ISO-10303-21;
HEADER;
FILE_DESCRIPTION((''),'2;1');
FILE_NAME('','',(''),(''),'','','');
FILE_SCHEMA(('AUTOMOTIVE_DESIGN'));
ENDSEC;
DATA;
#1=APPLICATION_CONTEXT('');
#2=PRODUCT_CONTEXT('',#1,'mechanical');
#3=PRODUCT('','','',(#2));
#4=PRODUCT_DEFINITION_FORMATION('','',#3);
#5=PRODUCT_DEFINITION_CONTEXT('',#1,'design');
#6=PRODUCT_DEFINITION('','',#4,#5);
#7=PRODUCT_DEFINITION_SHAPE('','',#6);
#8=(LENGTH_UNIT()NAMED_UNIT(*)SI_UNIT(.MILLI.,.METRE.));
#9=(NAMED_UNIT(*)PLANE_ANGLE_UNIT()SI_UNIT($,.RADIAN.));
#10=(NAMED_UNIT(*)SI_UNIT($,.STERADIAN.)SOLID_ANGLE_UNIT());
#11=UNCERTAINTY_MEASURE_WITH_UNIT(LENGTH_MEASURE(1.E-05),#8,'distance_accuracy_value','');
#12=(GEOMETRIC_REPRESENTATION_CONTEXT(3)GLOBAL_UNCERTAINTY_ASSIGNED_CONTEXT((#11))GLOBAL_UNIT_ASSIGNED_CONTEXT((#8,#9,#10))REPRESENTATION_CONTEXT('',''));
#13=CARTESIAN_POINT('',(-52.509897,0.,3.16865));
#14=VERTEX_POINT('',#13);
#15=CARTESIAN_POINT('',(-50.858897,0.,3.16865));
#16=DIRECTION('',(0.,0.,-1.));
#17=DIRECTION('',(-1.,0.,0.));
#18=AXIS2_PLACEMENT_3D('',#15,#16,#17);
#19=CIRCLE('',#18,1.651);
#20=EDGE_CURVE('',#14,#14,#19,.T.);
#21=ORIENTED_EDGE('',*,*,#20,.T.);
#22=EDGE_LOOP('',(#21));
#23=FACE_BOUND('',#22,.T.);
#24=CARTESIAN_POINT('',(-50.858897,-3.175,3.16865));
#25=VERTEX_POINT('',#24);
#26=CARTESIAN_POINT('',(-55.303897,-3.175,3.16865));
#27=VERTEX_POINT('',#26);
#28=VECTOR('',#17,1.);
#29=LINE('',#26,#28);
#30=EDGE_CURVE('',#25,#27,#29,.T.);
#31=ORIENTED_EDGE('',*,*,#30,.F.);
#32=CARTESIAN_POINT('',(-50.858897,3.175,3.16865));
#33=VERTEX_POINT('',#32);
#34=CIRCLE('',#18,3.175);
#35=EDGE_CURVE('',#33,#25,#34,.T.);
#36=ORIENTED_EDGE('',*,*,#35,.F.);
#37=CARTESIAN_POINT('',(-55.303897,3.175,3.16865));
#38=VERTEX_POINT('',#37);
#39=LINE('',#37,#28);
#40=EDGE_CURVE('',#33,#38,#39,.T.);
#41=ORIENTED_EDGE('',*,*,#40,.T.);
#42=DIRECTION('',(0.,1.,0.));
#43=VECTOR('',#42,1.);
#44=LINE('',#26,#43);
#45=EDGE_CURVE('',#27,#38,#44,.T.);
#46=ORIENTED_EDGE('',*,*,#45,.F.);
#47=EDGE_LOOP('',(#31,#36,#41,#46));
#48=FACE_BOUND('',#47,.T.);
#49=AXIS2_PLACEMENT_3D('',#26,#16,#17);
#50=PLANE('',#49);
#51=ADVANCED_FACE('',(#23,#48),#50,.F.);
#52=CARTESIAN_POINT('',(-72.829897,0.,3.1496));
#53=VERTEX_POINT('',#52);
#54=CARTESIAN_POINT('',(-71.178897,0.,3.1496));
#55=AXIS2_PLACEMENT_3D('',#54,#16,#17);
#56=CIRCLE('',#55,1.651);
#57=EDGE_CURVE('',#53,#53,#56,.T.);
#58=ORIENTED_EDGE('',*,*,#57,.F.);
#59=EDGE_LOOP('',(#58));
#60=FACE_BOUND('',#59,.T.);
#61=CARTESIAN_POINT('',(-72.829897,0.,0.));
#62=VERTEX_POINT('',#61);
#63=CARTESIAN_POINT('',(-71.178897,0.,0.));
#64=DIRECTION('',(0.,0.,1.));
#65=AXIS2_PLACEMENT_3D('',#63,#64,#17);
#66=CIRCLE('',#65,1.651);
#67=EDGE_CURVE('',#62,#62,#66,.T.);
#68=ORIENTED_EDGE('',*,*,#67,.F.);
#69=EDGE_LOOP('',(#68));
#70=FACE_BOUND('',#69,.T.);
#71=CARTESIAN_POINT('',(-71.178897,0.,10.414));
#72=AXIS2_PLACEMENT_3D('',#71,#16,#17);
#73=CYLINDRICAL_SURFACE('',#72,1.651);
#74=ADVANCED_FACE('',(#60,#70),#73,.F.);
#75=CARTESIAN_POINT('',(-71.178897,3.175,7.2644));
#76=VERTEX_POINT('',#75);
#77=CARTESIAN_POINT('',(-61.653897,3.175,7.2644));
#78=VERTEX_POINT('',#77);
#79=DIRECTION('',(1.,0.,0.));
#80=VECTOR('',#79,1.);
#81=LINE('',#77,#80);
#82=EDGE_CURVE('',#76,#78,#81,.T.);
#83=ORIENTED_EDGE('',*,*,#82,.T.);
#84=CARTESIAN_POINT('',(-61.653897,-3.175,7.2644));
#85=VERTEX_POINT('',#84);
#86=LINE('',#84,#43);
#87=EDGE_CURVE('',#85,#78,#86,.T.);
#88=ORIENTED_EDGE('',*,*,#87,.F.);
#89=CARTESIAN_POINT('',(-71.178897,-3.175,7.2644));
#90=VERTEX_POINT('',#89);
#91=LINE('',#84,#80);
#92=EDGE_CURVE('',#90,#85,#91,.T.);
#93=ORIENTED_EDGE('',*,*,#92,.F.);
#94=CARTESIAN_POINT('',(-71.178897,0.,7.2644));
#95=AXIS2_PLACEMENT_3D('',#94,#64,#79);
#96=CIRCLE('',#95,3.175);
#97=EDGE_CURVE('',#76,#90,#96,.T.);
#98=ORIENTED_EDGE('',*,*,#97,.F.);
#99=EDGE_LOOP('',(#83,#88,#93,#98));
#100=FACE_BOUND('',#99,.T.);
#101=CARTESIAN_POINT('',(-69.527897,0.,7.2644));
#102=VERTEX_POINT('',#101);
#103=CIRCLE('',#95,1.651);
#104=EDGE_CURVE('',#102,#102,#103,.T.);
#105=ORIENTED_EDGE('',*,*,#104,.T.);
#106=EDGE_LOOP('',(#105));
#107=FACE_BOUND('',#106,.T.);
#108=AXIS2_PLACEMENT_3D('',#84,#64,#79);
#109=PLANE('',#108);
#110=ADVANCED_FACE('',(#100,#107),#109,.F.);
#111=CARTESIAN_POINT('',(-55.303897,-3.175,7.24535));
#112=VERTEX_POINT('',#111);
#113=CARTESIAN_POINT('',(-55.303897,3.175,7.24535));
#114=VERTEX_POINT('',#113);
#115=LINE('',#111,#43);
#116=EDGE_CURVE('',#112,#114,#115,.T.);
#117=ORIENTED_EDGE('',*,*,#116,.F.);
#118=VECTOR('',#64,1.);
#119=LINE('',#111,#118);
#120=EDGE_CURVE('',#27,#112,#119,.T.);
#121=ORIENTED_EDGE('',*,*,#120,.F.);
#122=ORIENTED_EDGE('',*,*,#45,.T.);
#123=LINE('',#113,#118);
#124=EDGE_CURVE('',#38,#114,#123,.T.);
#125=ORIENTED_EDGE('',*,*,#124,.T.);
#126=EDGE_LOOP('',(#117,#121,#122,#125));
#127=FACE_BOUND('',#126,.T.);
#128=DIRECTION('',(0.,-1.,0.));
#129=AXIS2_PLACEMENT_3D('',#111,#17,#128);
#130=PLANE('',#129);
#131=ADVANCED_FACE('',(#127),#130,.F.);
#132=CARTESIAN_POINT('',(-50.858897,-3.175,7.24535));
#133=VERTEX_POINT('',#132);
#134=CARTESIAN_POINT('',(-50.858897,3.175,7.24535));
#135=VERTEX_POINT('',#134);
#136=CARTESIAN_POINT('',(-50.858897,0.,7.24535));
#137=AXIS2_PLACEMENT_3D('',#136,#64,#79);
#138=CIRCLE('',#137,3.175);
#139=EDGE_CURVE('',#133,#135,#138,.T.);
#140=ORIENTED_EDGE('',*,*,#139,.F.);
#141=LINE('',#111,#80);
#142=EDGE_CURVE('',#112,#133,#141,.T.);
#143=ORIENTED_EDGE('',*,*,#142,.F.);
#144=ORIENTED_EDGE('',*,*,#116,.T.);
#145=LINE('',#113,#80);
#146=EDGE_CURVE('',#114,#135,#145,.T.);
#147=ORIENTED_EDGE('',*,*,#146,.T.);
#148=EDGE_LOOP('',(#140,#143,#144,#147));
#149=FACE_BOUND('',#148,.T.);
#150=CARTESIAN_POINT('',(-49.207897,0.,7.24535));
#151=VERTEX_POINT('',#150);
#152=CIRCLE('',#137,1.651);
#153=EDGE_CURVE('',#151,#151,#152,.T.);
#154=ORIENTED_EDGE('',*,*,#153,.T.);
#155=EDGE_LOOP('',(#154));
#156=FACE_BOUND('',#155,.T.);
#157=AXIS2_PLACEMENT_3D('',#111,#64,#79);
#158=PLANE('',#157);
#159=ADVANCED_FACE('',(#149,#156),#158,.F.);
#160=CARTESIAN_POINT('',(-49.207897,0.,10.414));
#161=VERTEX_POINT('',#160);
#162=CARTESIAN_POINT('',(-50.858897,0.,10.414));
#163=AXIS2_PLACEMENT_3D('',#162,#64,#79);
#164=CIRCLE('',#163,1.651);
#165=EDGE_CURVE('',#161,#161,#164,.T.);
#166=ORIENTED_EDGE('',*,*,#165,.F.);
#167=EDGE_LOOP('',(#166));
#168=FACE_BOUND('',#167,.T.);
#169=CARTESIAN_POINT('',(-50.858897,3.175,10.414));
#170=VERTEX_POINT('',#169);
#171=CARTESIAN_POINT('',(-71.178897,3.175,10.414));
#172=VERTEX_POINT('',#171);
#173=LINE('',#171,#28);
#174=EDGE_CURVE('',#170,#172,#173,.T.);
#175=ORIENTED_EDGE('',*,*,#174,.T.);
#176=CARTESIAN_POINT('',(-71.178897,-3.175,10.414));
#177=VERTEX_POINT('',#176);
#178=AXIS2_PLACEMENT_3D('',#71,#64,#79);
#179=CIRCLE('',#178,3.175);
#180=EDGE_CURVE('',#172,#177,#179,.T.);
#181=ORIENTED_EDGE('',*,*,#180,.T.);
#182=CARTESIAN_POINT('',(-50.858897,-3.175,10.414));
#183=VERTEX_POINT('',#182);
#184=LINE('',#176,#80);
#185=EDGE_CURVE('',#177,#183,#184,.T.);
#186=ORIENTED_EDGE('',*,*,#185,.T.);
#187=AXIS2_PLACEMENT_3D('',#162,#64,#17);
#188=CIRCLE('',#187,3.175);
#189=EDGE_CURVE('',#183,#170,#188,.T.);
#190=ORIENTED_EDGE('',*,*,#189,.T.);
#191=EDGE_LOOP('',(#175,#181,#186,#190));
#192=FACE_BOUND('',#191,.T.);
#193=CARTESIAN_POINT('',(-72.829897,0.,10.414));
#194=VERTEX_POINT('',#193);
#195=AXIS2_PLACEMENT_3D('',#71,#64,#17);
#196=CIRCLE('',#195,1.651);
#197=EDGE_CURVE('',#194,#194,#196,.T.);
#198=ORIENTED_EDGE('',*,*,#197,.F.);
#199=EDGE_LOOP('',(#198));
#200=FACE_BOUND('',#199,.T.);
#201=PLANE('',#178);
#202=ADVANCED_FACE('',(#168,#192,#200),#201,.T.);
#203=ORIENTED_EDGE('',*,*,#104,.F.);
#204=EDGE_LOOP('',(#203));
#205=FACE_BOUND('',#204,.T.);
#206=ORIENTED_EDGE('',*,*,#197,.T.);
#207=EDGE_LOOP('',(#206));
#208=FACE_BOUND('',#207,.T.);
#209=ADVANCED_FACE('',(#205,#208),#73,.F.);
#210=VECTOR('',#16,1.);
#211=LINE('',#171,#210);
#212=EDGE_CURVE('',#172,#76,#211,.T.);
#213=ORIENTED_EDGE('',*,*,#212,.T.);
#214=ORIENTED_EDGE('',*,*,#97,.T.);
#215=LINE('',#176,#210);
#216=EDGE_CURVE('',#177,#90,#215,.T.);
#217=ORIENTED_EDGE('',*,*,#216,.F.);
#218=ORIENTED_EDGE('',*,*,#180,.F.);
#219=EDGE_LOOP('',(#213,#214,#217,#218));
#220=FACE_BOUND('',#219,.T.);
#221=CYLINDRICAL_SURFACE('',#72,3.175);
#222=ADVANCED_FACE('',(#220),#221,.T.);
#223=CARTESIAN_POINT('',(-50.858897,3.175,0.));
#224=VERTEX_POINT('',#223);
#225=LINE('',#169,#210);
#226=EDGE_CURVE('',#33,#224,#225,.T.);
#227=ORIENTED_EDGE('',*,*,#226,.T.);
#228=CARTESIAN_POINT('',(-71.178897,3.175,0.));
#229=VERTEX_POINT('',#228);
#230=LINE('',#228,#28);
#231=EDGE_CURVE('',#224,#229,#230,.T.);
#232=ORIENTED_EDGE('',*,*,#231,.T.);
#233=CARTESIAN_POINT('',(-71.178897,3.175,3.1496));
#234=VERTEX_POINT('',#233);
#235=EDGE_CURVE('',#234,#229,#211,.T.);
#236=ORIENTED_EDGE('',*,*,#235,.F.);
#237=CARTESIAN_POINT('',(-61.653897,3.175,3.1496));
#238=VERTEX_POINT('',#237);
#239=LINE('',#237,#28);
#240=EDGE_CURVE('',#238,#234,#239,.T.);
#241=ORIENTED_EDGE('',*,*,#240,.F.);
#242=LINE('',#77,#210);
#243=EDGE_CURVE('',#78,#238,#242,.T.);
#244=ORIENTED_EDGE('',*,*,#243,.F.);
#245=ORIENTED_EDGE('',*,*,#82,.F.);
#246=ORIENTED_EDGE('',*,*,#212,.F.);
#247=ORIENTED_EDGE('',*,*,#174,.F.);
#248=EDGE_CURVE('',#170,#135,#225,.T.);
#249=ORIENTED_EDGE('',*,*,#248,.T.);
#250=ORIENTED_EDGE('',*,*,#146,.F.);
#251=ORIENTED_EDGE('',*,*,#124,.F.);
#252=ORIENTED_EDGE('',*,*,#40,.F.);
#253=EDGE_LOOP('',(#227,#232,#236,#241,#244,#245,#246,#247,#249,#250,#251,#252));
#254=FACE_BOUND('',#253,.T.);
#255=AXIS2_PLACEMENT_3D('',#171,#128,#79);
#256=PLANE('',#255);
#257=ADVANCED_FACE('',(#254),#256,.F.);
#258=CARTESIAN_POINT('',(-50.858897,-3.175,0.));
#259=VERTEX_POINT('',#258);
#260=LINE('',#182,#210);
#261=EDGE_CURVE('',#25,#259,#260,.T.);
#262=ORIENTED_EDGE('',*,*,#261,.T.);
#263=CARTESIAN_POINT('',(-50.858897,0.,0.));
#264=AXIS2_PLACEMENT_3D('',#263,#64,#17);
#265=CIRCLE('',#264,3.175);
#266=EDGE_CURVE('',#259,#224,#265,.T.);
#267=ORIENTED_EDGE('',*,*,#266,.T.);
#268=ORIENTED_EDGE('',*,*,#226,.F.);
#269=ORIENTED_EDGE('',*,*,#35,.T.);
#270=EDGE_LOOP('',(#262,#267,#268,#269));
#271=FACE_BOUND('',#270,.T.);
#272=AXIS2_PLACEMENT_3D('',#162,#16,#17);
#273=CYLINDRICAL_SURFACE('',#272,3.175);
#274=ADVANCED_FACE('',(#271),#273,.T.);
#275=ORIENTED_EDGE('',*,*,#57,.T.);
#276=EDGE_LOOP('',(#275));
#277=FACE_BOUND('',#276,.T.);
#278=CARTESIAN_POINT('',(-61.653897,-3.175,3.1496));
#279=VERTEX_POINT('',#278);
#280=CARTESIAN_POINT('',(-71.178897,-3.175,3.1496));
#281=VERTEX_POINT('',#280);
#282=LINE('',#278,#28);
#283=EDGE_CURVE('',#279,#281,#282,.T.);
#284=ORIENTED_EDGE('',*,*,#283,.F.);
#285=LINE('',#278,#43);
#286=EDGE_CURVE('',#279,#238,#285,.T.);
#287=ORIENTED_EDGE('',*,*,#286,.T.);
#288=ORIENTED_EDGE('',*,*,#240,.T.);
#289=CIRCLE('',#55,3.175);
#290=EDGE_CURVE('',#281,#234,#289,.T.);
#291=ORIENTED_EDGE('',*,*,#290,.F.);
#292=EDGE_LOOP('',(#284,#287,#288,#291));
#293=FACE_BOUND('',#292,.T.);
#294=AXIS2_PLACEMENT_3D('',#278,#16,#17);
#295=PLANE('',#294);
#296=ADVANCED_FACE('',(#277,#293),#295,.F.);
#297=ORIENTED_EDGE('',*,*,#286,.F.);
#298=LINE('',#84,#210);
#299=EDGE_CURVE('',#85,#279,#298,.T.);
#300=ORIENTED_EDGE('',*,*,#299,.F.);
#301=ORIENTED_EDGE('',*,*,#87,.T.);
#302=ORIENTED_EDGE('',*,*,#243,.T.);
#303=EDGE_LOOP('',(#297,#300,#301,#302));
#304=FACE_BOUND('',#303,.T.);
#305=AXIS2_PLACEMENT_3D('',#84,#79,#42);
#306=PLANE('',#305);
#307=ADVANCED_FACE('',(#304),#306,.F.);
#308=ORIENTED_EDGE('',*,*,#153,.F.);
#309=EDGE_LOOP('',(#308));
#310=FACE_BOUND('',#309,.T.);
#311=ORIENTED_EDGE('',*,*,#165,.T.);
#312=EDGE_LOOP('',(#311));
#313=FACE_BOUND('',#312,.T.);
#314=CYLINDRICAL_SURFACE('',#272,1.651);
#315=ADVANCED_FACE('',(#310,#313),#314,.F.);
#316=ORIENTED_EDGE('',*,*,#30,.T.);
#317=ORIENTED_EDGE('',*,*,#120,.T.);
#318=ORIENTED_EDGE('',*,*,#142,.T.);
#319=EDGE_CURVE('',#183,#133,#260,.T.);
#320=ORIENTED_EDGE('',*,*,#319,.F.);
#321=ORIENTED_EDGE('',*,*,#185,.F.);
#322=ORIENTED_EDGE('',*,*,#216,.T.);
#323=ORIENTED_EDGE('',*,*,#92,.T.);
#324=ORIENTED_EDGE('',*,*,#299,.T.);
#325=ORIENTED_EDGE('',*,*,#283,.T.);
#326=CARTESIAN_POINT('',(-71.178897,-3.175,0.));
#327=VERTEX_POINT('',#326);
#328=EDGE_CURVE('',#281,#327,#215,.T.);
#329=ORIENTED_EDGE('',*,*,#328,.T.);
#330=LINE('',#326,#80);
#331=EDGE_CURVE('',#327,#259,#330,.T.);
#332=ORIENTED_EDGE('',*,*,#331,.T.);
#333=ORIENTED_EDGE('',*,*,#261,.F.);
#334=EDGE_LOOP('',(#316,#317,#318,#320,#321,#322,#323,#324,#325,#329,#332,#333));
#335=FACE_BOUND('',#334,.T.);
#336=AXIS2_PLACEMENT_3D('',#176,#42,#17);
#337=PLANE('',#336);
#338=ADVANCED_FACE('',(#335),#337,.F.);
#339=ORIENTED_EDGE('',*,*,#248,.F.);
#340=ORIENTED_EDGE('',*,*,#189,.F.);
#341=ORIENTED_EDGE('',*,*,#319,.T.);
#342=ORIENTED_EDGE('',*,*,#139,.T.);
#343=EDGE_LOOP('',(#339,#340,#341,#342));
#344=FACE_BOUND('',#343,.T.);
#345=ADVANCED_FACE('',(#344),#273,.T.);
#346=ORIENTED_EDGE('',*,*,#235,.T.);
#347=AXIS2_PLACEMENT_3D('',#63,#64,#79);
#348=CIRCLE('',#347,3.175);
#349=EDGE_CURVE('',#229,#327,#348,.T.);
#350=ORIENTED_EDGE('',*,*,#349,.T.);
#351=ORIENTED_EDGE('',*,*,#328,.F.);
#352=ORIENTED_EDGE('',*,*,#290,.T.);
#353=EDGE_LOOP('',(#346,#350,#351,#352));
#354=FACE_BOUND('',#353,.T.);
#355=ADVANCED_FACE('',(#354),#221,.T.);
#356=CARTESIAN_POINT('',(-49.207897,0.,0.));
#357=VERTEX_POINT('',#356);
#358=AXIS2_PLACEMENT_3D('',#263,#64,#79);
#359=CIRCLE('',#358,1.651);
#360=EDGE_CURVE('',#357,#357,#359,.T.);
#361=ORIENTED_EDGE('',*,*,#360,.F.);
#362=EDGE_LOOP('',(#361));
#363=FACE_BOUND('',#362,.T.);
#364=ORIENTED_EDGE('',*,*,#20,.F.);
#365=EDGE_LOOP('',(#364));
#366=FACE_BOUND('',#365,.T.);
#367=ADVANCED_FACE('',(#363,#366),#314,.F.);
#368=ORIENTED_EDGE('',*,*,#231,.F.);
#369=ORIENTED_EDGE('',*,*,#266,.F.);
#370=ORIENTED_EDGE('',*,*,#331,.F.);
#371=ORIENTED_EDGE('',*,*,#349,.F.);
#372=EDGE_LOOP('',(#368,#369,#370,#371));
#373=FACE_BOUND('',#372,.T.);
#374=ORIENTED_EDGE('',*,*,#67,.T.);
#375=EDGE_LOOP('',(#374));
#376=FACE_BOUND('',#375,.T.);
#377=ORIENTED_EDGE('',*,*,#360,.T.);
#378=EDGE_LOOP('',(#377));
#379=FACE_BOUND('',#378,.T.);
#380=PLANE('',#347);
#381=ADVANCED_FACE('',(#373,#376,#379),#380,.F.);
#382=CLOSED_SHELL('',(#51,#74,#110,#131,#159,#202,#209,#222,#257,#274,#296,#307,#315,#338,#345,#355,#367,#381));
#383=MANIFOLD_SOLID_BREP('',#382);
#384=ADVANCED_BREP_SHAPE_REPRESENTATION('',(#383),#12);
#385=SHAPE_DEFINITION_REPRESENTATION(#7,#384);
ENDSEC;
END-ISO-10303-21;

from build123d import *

# Parameters (mm, degrees)
SKETCH1_R           = 1.651
BOSS_EXTRUDE1_DEPTH = 10.414
SKETCH2_W           = 12.7
SKETCH2_H           = 4.1148
SKETCH2_H_2         = 4.0767
CUT_EXTRUDE1_DEPTH  = 7.35


with BuildPart() as part:
    # Sketch1 → Boss-Extrude1 (new body)
    with BuildSketch(Plane.XY):
        with BuildLine():
            Line((-71.178896696, 3.175), (-50.858896696, 3.175))
            ThreePointArc((-50.858896696, 3.175), (-47.683896696, 0), (-50.858896696, -3.175))
            Line((-50.858896696, -3.175), (-71.178896696, -3.175))
            ThreePointArc((-71.178896696, -3.175), (-74.353896696, 0), (-71.178896696, 3.175))
        make_face()
        with Locations((-50.858896696, 0)):
            Circle(SKETCH1_R, mode=Mode.SUBTRACT)
        with Locations((-71.178896696, 0)):
            Circle(SKETCH1_R, mode=Mode.SUBTRACT)
    extrude(amount=BOSS_EXTRUDE1_DEPTH)

    # Sketch2 → Cut-Extrude1 (cut, through all)
    with BuildSketch(Plane(origin=(0, 3.175, 0), x_dir=(1, 0, 0), z_dir=(0, 1, 0))):
        with Locations((-68.003896696, -5.207)):
            Rectangle(SKETCH2_W, SKETCH2_H)
        with Locations((-48.953896696, -5.207)):
            Rectangle(SKETCH2_W, SKETCH2_H_2)
    extrude(amount=-CUT_EXTRUDE1_DEPTH, mode=Mode.SUBTRACT)


solid = part.part
